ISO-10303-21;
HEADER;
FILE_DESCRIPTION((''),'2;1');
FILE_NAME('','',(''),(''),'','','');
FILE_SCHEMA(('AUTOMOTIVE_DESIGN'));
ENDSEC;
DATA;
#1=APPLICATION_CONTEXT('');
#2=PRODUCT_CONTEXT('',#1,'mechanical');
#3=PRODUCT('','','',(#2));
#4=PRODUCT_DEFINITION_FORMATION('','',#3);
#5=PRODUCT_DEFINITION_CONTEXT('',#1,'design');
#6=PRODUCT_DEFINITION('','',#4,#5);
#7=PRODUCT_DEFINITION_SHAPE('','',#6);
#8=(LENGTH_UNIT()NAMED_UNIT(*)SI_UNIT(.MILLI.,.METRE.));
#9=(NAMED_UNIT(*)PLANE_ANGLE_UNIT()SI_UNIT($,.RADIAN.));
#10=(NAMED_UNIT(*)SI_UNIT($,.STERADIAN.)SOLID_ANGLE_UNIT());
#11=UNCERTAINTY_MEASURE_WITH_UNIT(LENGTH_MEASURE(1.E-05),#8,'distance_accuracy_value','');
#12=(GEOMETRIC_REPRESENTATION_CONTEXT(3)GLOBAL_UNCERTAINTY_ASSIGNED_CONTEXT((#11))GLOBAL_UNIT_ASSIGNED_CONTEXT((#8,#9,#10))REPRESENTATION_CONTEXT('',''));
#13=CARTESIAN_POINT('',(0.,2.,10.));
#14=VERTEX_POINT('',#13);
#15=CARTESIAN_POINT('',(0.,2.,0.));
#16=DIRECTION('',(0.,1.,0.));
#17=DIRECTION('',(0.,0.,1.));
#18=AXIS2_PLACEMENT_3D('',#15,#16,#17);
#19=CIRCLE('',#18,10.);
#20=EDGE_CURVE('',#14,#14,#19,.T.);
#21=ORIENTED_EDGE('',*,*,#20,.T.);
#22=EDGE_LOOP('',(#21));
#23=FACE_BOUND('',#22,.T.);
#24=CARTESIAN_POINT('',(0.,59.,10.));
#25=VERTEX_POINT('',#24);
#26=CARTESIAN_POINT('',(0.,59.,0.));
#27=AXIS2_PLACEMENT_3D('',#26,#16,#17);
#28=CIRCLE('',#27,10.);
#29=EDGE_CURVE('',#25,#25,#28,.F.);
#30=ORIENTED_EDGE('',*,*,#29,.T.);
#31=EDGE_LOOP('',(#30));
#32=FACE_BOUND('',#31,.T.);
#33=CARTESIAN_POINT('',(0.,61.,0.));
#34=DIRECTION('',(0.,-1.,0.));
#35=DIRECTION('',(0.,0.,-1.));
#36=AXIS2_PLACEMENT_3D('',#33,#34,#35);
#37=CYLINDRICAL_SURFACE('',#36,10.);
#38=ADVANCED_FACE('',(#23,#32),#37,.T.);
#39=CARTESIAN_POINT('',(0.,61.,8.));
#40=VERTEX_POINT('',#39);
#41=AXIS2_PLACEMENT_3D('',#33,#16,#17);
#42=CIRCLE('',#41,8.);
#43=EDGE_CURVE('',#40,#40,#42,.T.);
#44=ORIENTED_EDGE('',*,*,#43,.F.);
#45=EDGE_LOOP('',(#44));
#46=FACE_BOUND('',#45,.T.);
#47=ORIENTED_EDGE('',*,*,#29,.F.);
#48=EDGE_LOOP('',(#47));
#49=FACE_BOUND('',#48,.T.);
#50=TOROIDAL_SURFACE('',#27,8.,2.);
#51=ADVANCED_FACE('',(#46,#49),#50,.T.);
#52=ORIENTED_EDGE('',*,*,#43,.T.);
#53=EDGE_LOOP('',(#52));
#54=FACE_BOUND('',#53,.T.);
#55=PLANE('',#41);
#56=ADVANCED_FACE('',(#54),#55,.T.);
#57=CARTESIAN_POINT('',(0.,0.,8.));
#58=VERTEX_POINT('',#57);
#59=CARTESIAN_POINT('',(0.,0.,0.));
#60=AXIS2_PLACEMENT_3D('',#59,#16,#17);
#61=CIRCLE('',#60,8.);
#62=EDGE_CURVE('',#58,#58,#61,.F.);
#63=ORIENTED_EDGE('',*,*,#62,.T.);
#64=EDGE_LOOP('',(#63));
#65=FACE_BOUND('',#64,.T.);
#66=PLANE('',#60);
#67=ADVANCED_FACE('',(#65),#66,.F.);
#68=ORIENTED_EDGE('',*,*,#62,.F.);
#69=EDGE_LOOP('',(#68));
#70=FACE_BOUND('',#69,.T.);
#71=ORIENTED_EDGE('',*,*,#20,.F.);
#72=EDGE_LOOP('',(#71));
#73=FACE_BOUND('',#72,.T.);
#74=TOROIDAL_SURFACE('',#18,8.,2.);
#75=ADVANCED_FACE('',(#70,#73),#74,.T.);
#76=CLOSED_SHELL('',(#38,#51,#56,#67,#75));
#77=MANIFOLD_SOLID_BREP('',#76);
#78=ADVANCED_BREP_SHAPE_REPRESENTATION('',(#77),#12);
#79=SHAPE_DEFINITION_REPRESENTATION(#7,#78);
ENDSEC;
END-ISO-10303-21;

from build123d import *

# Parameters (mm, degrees)
SKETCH1_R           = 10
BOSS_EXTRUDE1_DEPTH = 61
FILLET1_R           = 2


with BuildPart() as part:
    # Sketch1 → Boss-Extrude1 (new body)
    with BuildSketch(Plane(origin=(0, 0, 0), x_dir=(1, 0, 0), z_dir=(0, 1, 0))):
        Circle(SKETCH1_R)
    extrude(amount=BOSS_EXTRUDE1_DEPTH)

    # Fillet1
    fillet1_edges = [part.edges().sort_by_distance(p)[0] for p in [
        (-10, 0, 0),
        (-10, 61, 0),
    ]]
    fillet(fillet1_edges, radius=FILLET1_R)


solid = part.part
